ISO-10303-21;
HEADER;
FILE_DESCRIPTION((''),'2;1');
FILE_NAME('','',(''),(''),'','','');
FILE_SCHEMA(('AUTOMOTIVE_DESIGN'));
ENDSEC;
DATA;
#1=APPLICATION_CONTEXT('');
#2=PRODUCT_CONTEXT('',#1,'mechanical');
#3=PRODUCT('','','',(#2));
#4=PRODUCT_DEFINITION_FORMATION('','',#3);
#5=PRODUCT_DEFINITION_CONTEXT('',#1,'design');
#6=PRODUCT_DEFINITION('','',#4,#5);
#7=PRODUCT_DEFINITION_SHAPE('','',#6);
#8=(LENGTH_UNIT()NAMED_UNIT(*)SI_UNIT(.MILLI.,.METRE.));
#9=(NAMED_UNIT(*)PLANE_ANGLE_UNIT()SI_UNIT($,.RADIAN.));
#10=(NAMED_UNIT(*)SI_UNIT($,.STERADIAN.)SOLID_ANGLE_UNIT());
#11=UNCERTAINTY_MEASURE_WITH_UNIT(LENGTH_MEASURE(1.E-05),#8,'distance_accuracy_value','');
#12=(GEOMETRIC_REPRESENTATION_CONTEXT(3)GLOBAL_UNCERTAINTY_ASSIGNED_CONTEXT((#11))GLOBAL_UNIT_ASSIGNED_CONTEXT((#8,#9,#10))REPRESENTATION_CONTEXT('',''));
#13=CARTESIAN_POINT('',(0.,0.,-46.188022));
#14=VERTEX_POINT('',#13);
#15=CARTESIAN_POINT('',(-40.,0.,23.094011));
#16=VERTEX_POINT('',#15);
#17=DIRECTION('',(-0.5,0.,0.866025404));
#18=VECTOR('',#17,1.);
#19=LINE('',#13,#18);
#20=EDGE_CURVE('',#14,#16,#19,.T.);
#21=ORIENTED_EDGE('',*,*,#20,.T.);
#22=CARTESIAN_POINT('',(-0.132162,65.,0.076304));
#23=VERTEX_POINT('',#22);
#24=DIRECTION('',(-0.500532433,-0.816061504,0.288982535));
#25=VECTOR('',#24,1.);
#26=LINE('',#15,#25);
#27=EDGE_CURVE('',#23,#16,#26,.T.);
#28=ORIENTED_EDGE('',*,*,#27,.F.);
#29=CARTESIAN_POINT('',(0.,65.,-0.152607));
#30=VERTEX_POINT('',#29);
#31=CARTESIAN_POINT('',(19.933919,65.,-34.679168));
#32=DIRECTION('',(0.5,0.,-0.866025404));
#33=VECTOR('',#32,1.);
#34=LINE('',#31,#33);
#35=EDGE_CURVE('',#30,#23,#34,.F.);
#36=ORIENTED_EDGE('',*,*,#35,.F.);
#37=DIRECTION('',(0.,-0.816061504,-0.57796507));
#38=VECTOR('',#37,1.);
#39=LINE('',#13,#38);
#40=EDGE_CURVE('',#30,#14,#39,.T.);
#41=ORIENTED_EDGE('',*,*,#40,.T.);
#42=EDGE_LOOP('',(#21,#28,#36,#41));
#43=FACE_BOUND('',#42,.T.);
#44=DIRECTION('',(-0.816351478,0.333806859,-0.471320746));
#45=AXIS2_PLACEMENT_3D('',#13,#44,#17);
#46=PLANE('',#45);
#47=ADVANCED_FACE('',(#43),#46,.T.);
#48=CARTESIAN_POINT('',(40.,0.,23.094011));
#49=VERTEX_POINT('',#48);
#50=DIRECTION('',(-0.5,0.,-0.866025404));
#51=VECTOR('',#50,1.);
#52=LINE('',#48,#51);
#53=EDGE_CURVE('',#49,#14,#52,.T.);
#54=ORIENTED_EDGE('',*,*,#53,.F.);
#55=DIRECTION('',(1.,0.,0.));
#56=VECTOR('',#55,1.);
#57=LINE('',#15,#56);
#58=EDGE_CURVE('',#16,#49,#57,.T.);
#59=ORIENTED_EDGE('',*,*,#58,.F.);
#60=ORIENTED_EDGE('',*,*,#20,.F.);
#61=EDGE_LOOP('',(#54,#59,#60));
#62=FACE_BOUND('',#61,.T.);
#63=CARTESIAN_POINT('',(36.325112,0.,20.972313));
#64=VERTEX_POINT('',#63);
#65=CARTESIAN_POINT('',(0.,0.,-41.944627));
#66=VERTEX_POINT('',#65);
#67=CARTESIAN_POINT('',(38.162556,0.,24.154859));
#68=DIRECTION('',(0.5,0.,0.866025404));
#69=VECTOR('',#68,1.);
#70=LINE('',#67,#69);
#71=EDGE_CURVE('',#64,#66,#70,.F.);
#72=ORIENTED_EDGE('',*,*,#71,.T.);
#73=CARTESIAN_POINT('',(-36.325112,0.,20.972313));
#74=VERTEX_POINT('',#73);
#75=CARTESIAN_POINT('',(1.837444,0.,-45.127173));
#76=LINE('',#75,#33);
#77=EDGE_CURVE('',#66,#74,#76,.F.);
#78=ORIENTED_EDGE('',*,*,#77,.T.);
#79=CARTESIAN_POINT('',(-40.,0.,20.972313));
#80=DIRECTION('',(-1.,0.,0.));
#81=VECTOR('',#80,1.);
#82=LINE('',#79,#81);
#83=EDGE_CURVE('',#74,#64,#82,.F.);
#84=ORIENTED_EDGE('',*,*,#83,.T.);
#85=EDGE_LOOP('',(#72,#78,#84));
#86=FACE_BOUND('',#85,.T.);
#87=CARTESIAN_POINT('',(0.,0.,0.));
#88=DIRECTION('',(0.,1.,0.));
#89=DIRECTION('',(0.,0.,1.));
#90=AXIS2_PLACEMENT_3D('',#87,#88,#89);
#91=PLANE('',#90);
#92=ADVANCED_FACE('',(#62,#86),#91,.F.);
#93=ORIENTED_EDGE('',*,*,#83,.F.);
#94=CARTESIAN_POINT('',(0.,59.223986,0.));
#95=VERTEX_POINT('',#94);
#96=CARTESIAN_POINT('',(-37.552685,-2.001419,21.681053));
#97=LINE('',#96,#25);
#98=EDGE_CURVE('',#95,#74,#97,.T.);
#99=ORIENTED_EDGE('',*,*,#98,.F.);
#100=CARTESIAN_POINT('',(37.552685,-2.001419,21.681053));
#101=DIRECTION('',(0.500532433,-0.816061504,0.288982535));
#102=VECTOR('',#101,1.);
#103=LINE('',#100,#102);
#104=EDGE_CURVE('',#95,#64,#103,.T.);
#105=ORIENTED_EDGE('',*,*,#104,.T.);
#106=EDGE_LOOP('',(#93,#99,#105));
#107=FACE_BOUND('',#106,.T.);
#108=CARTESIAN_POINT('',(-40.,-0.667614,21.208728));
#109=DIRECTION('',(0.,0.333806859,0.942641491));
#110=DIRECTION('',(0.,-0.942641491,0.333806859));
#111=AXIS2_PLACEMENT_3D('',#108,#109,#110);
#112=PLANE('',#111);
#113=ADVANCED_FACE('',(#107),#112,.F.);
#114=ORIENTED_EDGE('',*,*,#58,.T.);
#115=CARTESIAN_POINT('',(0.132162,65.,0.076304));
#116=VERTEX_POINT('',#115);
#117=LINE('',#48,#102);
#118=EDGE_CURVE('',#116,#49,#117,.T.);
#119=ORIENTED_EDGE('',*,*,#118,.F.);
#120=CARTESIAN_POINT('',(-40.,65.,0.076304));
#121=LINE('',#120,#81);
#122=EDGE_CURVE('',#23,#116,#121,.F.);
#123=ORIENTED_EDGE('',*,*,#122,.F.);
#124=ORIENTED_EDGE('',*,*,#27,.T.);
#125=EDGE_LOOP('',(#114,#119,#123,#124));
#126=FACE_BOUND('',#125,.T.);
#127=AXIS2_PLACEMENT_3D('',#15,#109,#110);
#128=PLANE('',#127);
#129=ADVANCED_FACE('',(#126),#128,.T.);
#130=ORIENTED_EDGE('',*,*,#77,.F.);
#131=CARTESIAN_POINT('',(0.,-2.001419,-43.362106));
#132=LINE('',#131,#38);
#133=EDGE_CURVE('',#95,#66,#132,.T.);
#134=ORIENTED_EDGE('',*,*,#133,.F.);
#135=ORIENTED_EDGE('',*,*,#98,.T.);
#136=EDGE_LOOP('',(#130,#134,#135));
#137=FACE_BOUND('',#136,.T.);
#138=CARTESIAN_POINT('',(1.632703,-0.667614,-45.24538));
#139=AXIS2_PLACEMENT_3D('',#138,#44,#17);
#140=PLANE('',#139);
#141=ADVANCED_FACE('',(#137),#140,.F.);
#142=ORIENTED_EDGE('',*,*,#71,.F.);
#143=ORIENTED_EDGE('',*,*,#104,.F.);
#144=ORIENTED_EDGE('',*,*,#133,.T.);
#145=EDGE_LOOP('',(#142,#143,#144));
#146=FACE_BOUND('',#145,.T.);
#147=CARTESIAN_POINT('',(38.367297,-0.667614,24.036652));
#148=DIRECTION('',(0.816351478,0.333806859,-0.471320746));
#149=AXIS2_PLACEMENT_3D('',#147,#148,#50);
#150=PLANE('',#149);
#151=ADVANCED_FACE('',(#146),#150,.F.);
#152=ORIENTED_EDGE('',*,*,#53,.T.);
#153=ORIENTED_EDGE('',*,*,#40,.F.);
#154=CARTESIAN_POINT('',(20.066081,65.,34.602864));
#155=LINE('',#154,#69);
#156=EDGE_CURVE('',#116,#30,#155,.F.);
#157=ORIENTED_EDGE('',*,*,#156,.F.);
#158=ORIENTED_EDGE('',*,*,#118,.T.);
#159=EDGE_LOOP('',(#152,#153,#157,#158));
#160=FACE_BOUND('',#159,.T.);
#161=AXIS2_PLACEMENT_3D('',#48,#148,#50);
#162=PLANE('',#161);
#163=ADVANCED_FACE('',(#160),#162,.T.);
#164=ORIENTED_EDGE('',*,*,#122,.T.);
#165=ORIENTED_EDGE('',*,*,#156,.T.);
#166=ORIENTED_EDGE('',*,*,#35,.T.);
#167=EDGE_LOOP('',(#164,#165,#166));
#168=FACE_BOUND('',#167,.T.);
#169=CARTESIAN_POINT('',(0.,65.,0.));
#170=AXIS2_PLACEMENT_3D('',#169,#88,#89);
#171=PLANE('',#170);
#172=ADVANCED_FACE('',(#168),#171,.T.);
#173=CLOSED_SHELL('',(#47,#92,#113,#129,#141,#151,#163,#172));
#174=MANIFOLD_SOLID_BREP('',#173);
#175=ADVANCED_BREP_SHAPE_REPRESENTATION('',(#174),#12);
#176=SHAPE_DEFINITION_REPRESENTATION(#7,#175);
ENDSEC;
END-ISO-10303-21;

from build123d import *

# Parameters (mm, degrees)
BOSS_EXTRUDE1_DEPTH = 65
BOSS_EXTRUDE1_TAPER = 19.5
SHELL1_T            = -2


with BuildPart() as part:
    # Sketch1 → Boss-Extrude1 (new body)
    with BuildSketch(Plane(origin=(0, 0, 0), x_dir=(1, 0, 0), z_dir=(0, 1, 0))):
        Polygon((40, -23.094010768), (0, 46.188021535), (-40, -23.094010768), align=None)
    extrude(amount=BOSS_EXTRUDE1_DEPTH, taper=BOSS_EXTRUDE1_TAPER)

    # Shell1
    shell1_openings = [part.faces().sort_by_distance(p)[0] for p in [
        (0, 0, 0),
    ]]
    offset(amount=SHELL1_T, openings=shell1_openings)


solid = part.part
